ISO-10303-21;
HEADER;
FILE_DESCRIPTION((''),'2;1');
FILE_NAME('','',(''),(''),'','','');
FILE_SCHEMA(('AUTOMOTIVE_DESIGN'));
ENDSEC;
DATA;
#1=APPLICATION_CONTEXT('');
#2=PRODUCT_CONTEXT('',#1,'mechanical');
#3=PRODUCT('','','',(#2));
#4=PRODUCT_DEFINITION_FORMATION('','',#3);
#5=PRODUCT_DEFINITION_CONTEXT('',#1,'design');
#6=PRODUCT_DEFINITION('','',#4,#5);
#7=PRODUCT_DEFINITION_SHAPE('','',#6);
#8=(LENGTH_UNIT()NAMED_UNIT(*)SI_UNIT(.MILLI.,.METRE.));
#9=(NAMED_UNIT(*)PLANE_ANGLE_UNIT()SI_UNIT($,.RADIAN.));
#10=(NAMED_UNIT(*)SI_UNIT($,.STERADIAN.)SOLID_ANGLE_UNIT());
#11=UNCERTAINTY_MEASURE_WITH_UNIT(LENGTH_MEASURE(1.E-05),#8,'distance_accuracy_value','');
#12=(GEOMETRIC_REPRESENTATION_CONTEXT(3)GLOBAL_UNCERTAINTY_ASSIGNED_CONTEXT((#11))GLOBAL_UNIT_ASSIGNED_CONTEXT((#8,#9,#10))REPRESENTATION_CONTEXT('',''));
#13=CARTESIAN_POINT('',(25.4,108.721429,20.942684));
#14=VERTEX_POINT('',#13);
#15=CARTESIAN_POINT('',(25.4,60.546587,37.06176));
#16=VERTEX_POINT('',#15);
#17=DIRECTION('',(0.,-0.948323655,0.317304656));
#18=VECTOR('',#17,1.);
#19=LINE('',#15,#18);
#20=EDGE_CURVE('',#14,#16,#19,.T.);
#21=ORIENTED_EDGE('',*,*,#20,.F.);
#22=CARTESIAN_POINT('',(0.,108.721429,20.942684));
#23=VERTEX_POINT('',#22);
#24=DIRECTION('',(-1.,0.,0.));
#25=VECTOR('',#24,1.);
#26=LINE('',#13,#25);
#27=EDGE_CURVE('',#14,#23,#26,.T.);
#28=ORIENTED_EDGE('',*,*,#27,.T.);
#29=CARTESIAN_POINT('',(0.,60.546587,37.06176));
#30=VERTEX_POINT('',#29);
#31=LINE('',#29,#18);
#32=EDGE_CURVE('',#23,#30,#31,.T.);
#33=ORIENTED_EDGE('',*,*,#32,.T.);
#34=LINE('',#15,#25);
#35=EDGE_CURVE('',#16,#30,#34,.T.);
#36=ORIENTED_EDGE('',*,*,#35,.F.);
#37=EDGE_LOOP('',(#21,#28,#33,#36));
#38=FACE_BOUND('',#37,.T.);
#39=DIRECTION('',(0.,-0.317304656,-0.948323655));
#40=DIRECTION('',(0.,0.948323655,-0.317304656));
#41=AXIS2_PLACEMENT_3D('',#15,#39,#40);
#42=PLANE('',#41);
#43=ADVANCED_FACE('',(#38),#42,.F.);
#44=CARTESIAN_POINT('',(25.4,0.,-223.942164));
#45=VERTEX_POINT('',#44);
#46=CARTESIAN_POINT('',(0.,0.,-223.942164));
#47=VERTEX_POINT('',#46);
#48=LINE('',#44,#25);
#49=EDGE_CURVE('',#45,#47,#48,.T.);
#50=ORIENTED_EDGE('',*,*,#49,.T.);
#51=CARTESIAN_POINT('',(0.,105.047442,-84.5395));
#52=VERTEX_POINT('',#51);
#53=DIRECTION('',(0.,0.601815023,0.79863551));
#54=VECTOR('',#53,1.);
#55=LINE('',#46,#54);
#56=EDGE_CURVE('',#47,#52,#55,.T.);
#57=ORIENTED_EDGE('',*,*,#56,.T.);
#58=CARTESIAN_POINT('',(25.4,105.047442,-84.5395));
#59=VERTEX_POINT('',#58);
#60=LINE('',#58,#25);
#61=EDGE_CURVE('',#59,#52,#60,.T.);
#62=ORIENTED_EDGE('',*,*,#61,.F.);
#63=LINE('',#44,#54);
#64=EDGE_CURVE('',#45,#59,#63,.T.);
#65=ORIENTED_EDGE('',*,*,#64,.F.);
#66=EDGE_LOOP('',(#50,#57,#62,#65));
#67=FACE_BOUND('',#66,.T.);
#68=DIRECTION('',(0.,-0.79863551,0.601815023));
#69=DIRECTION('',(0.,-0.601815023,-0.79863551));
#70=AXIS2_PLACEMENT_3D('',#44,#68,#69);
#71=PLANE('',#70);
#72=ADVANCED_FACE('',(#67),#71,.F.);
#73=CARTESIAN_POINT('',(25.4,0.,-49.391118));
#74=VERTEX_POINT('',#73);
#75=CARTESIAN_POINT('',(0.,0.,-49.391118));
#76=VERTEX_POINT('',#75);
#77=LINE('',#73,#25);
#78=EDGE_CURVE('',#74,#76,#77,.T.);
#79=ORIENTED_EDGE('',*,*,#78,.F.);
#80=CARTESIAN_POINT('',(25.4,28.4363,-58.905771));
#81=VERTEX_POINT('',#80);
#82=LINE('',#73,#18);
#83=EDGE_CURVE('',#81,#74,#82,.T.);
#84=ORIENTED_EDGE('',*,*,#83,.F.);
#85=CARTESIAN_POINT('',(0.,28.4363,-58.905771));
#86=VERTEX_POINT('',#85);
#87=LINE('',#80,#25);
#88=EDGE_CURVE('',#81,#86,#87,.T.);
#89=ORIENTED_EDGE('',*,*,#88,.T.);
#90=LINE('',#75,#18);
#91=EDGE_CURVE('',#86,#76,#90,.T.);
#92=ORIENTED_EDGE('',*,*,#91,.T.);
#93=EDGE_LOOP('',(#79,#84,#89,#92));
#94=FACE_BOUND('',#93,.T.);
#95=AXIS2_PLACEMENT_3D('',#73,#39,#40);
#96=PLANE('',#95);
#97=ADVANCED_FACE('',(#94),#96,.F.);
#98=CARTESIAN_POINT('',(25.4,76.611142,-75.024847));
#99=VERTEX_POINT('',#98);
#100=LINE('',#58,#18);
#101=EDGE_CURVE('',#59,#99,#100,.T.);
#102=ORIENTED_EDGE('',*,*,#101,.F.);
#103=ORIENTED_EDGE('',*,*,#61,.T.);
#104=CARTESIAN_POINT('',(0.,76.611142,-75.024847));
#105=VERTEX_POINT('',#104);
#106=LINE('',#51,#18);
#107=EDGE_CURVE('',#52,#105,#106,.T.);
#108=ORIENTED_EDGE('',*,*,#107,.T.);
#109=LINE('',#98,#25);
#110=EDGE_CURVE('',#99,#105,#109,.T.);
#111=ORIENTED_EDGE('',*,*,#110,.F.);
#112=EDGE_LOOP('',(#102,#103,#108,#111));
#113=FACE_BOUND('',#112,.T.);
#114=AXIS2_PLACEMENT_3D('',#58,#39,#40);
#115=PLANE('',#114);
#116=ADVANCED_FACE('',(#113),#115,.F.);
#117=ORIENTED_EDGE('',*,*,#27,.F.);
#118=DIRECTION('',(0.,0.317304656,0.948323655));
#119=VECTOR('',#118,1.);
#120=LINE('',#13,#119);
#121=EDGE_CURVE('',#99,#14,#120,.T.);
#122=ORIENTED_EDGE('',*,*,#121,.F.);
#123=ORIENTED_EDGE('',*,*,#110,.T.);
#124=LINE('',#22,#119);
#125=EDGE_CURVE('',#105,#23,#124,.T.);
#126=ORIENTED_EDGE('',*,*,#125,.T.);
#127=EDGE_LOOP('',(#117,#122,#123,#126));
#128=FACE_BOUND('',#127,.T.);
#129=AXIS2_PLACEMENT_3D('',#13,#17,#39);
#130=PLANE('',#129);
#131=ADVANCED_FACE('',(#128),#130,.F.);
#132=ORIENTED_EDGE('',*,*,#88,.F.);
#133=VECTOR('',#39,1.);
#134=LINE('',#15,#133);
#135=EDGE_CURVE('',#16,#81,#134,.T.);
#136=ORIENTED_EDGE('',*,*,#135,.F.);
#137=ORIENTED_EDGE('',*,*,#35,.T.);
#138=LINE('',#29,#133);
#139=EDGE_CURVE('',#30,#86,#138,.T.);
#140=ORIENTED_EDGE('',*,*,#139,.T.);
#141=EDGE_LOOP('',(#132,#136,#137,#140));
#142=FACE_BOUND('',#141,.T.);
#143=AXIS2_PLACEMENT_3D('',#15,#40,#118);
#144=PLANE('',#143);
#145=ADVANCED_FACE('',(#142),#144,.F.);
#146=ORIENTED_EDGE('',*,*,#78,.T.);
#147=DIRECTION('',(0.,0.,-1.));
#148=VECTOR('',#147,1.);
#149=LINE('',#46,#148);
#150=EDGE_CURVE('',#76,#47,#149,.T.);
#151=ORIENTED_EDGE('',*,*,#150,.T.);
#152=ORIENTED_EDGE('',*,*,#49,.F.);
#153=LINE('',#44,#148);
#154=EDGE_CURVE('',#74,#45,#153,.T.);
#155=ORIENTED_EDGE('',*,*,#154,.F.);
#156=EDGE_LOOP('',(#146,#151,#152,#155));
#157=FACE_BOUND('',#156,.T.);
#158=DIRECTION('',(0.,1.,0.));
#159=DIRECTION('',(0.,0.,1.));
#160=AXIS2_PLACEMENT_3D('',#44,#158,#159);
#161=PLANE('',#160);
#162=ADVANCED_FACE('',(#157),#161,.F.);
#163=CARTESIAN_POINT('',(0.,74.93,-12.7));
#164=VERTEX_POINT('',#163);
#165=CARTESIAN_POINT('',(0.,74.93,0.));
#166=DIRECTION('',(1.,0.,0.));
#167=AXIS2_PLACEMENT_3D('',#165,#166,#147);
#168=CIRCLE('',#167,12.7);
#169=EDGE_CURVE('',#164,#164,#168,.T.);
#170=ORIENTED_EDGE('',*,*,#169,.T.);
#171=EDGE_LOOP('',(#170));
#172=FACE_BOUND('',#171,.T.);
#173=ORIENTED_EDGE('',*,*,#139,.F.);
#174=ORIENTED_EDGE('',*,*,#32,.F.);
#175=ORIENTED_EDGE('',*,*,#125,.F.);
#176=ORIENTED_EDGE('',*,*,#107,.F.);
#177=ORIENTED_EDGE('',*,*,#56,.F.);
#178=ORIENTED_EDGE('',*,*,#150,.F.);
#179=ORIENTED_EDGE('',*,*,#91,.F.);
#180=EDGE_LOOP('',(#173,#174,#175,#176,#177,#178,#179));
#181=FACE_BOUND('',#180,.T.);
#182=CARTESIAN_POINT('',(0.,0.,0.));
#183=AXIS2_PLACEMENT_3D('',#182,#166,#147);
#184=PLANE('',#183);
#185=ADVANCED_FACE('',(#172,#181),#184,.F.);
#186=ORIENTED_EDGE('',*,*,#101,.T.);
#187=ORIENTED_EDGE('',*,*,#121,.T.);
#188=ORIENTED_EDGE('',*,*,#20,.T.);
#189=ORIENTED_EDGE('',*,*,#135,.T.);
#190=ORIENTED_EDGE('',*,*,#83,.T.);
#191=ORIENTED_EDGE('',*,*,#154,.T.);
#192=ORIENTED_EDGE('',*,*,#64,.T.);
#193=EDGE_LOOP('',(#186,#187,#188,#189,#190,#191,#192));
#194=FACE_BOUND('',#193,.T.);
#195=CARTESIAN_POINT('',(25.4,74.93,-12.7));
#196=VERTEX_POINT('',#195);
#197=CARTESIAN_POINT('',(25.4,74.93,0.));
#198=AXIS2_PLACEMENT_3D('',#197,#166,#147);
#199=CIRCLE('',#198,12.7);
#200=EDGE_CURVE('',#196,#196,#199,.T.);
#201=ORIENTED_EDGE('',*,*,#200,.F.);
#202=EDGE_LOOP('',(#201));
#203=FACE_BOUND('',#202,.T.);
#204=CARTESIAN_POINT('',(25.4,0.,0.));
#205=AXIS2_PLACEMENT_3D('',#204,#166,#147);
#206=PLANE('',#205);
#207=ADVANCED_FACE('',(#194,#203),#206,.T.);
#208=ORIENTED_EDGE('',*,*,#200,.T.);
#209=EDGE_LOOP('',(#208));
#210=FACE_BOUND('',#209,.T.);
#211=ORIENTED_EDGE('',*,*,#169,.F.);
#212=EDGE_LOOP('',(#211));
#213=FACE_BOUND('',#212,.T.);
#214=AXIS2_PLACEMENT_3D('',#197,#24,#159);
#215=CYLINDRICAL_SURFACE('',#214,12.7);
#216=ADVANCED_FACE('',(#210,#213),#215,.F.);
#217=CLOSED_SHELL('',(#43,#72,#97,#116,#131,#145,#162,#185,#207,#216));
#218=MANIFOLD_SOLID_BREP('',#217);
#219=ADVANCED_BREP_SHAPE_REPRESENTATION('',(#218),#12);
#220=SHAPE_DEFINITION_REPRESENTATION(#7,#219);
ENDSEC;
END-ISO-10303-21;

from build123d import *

# Parameters (mm, degrees)
SKETCH2_R           = 12.7
BOSS_EXTRUDE1_DEPTH = 25.4


with BuildPart() as part:
    # Sketch2 → Boss-Extrude1 (new body)
    with BuildSketch(Plane(origin=(0, 0, 0), x_dir=(0, 0, -1), z_dir=(1, 0, 0))):
        Polygon((223.942164258, 0), (49.391117597, 0), (58.905770565, 28.436300252), (-37.061760264, 60.546586891), (-20.942683719, 108.721428576), (75.024847111, 76.611141936), (84.539500079, 105.047442188), align=None)
        with Locations((0, 74.93)):
            Circle(SKETCH2_R, mode=Mode.SUBTRACT)
    extrude(amount=BOSS_EXTRUDE1_DEPTH)


solid = part.part
